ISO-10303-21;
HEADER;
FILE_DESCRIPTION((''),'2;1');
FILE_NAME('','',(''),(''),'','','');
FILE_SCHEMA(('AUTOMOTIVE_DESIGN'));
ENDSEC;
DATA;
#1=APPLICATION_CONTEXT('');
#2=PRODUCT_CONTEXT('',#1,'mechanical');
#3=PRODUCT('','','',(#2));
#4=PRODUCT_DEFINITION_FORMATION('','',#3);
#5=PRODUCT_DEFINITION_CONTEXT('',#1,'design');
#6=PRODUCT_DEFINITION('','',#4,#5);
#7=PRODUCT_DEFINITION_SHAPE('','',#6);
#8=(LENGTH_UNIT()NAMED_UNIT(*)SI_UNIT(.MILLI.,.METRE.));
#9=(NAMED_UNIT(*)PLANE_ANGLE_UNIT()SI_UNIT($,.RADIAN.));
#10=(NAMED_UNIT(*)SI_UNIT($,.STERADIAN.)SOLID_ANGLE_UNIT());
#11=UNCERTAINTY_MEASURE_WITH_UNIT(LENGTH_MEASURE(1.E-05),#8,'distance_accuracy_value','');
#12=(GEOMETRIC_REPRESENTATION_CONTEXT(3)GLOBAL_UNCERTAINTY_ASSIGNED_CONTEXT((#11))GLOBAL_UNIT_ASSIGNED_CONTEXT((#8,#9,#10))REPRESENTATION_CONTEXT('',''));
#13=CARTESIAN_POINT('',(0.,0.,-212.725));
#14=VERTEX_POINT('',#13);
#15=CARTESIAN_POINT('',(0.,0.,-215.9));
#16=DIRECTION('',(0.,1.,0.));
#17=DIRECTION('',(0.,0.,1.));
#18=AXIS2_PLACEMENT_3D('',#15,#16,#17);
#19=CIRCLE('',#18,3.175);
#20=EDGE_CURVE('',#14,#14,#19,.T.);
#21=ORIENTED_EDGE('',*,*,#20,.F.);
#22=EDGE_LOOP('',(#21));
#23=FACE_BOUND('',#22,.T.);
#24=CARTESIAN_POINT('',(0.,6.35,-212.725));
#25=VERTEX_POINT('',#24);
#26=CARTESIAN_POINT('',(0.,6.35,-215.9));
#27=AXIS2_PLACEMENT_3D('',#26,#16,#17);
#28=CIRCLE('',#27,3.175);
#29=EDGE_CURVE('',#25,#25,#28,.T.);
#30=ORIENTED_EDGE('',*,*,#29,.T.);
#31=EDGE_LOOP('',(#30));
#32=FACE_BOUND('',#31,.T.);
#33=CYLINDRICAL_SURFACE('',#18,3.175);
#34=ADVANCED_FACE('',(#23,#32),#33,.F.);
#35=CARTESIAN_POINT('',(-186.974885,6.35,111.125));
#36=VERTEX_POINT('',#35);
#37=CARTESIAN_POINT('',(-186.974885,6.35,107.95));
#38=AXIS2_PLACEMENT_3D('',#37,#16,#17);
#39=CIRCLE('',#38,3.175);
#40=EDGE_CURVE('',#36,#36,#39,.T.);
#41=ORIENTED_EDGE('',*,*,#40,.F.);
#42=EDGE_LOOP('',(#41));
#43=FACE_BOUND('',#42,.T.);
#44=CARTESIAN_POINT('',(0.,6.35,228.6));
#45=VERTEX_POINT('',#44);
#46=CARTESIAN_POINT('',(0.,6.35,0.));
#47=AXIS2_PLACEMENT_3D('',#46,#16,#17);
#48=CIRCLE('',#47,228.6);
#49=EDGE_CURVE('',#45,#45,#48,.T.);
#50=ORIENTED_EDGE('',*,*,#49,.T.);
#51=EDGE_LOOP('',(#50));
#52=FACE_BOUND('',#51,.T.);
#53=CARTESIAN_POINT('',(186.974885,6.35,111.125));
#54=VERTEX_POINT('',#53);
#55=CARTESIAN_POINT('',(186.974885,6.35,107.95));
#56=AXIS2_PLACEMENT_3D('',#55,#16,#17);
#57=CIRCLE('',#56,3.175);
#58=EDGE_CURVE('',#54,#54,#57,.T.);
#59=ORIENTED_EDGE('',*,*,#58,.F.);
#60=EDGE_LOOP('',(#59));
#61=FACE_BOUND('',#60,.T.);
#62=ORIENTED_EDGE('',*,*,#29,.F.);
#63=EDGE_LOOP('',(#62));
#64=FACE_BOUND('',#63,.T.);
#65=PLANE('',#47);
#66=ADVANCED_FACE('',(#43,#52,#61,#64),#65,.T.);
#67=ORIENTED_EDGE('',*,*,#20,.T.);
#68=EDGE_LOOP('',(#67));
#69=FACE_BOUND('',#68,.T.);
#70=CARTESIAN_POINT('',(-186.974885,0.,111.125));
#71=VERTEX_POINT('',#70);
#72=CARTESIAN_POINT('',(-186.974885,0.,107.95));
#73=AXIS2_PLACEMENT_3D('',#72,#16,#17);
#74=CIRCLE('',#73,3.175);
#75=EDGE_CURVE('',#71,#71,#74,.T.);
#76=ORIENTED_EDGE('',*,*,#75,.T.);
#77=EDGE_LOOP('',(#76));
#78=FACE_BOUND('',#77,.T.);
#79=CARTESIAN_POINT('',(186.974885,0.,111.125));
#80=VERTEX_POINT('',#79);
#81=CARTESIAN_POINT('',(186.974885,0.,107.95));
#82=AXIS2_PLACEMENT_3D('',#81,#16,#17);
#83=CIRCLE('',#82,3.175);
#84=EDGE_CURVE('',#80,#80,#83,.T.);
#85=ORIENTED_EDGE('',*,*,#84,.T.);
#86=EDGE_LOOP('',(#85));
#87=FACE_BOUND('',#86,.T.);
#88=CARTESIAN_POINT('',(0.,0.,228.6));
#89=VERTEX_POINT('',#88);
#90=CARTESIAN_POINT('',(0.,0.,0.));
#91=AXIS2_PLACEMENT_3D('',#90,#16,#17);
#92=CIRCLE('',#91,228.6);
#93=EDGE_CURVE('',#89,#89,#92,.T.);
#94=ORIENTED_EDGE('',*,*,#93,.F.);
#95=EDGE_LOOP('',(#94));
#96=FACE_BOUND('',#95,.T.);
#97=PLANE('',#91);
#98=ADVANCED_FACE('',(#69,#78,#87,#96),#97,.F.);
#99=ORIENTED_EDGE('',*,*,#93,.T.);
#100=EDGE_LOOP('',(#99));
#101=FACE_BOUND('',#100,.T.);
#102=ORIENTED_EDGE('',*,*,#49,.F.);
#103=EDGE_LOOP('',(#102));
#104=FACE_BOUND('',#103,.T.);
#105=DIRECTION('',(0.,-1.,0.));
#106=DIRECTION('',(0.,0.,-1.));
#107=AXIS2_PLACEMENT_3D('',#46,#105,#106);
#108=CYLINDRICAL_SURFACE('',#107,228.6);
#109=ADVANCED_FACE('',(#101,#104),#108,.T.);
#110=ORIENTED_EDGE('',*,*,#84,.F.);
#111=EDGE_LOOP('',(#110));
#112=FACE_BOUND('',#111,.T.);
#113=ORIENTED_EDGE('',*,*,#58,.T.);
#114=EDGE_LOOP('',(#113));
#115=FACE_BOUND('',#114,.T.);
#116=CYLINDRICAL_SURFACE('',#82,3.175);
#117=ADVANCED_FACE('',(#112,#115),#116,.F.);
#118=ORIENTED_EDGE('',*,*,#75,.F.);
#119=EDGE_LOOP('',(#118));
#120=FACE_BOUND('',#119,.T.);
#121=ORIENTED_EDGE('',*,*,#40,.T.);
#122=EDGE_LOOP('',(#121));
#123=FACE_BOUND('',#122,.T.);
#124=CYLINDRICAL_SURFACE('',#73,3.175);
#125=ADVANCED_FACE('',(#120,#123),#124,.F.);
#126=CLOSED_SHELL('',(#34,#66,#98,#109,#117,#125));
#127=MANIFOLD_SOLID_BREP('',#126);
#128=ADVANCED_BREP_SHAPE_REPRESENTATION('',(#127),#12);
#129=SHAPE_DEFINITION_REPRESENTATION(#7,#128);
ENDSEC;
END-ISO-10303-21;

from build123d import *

# Parameters (mm, degrees)
SKETCH1_R               = 228.6
BOSS_EXTRUDE1_DEPTH     = 6.35
CUT_EXTRUDE1_DEPTH      = 324.351577234
CUT_EXTRUDE1_DEPTH_BACK = 324.351577234
SKETCH2_R               = 3.175


with BuildPart() as part:
    # Sketch1 → Boss-Extrude1 (new body)
    with BuildSketch(Plane(origin=(0, 0, 0), x_dir=(1, 0, 0), z_dir=(0, 1, 0))):
        with Locations(Location((0, 0, 0), (0, 0, 270))):
            Circle(SKETCH1_R)
    extrude(amount=BOSS_EXTRUDE1_DEPTH)

    # Sketch2 → Cut-Extrude1 (cut, two sides: drawn at the far end of the back side and taken through both)
    with BuildSketch(Plane(origin=(0, 6.35, 0), x_dir=(1, 0, 0), z_dir=(0, 1, 0)).offset(-CUT_EXTRUDE1_DEPTH_BACK)):
        with Locations(Location((0, 215.9, 0), (0, 0, 270))):
            Circle(SKETCH2_R)
        with Locations(Location((-186.974884677, -107.95, 0), (0, 0, 270))):
            Circle(SKETCH2_R)
        with Locations(Location((186.974884677, -107.95, 0), (0, 0, 270))):
            Circle(SKETCH2_R)
    extrude(amount=CUT_EXTRUDE1_DEPTH + CUT_EXTRUDE1_DEPTH_BACK, mode=Mode.SUBTRACT)


solid = part.part
